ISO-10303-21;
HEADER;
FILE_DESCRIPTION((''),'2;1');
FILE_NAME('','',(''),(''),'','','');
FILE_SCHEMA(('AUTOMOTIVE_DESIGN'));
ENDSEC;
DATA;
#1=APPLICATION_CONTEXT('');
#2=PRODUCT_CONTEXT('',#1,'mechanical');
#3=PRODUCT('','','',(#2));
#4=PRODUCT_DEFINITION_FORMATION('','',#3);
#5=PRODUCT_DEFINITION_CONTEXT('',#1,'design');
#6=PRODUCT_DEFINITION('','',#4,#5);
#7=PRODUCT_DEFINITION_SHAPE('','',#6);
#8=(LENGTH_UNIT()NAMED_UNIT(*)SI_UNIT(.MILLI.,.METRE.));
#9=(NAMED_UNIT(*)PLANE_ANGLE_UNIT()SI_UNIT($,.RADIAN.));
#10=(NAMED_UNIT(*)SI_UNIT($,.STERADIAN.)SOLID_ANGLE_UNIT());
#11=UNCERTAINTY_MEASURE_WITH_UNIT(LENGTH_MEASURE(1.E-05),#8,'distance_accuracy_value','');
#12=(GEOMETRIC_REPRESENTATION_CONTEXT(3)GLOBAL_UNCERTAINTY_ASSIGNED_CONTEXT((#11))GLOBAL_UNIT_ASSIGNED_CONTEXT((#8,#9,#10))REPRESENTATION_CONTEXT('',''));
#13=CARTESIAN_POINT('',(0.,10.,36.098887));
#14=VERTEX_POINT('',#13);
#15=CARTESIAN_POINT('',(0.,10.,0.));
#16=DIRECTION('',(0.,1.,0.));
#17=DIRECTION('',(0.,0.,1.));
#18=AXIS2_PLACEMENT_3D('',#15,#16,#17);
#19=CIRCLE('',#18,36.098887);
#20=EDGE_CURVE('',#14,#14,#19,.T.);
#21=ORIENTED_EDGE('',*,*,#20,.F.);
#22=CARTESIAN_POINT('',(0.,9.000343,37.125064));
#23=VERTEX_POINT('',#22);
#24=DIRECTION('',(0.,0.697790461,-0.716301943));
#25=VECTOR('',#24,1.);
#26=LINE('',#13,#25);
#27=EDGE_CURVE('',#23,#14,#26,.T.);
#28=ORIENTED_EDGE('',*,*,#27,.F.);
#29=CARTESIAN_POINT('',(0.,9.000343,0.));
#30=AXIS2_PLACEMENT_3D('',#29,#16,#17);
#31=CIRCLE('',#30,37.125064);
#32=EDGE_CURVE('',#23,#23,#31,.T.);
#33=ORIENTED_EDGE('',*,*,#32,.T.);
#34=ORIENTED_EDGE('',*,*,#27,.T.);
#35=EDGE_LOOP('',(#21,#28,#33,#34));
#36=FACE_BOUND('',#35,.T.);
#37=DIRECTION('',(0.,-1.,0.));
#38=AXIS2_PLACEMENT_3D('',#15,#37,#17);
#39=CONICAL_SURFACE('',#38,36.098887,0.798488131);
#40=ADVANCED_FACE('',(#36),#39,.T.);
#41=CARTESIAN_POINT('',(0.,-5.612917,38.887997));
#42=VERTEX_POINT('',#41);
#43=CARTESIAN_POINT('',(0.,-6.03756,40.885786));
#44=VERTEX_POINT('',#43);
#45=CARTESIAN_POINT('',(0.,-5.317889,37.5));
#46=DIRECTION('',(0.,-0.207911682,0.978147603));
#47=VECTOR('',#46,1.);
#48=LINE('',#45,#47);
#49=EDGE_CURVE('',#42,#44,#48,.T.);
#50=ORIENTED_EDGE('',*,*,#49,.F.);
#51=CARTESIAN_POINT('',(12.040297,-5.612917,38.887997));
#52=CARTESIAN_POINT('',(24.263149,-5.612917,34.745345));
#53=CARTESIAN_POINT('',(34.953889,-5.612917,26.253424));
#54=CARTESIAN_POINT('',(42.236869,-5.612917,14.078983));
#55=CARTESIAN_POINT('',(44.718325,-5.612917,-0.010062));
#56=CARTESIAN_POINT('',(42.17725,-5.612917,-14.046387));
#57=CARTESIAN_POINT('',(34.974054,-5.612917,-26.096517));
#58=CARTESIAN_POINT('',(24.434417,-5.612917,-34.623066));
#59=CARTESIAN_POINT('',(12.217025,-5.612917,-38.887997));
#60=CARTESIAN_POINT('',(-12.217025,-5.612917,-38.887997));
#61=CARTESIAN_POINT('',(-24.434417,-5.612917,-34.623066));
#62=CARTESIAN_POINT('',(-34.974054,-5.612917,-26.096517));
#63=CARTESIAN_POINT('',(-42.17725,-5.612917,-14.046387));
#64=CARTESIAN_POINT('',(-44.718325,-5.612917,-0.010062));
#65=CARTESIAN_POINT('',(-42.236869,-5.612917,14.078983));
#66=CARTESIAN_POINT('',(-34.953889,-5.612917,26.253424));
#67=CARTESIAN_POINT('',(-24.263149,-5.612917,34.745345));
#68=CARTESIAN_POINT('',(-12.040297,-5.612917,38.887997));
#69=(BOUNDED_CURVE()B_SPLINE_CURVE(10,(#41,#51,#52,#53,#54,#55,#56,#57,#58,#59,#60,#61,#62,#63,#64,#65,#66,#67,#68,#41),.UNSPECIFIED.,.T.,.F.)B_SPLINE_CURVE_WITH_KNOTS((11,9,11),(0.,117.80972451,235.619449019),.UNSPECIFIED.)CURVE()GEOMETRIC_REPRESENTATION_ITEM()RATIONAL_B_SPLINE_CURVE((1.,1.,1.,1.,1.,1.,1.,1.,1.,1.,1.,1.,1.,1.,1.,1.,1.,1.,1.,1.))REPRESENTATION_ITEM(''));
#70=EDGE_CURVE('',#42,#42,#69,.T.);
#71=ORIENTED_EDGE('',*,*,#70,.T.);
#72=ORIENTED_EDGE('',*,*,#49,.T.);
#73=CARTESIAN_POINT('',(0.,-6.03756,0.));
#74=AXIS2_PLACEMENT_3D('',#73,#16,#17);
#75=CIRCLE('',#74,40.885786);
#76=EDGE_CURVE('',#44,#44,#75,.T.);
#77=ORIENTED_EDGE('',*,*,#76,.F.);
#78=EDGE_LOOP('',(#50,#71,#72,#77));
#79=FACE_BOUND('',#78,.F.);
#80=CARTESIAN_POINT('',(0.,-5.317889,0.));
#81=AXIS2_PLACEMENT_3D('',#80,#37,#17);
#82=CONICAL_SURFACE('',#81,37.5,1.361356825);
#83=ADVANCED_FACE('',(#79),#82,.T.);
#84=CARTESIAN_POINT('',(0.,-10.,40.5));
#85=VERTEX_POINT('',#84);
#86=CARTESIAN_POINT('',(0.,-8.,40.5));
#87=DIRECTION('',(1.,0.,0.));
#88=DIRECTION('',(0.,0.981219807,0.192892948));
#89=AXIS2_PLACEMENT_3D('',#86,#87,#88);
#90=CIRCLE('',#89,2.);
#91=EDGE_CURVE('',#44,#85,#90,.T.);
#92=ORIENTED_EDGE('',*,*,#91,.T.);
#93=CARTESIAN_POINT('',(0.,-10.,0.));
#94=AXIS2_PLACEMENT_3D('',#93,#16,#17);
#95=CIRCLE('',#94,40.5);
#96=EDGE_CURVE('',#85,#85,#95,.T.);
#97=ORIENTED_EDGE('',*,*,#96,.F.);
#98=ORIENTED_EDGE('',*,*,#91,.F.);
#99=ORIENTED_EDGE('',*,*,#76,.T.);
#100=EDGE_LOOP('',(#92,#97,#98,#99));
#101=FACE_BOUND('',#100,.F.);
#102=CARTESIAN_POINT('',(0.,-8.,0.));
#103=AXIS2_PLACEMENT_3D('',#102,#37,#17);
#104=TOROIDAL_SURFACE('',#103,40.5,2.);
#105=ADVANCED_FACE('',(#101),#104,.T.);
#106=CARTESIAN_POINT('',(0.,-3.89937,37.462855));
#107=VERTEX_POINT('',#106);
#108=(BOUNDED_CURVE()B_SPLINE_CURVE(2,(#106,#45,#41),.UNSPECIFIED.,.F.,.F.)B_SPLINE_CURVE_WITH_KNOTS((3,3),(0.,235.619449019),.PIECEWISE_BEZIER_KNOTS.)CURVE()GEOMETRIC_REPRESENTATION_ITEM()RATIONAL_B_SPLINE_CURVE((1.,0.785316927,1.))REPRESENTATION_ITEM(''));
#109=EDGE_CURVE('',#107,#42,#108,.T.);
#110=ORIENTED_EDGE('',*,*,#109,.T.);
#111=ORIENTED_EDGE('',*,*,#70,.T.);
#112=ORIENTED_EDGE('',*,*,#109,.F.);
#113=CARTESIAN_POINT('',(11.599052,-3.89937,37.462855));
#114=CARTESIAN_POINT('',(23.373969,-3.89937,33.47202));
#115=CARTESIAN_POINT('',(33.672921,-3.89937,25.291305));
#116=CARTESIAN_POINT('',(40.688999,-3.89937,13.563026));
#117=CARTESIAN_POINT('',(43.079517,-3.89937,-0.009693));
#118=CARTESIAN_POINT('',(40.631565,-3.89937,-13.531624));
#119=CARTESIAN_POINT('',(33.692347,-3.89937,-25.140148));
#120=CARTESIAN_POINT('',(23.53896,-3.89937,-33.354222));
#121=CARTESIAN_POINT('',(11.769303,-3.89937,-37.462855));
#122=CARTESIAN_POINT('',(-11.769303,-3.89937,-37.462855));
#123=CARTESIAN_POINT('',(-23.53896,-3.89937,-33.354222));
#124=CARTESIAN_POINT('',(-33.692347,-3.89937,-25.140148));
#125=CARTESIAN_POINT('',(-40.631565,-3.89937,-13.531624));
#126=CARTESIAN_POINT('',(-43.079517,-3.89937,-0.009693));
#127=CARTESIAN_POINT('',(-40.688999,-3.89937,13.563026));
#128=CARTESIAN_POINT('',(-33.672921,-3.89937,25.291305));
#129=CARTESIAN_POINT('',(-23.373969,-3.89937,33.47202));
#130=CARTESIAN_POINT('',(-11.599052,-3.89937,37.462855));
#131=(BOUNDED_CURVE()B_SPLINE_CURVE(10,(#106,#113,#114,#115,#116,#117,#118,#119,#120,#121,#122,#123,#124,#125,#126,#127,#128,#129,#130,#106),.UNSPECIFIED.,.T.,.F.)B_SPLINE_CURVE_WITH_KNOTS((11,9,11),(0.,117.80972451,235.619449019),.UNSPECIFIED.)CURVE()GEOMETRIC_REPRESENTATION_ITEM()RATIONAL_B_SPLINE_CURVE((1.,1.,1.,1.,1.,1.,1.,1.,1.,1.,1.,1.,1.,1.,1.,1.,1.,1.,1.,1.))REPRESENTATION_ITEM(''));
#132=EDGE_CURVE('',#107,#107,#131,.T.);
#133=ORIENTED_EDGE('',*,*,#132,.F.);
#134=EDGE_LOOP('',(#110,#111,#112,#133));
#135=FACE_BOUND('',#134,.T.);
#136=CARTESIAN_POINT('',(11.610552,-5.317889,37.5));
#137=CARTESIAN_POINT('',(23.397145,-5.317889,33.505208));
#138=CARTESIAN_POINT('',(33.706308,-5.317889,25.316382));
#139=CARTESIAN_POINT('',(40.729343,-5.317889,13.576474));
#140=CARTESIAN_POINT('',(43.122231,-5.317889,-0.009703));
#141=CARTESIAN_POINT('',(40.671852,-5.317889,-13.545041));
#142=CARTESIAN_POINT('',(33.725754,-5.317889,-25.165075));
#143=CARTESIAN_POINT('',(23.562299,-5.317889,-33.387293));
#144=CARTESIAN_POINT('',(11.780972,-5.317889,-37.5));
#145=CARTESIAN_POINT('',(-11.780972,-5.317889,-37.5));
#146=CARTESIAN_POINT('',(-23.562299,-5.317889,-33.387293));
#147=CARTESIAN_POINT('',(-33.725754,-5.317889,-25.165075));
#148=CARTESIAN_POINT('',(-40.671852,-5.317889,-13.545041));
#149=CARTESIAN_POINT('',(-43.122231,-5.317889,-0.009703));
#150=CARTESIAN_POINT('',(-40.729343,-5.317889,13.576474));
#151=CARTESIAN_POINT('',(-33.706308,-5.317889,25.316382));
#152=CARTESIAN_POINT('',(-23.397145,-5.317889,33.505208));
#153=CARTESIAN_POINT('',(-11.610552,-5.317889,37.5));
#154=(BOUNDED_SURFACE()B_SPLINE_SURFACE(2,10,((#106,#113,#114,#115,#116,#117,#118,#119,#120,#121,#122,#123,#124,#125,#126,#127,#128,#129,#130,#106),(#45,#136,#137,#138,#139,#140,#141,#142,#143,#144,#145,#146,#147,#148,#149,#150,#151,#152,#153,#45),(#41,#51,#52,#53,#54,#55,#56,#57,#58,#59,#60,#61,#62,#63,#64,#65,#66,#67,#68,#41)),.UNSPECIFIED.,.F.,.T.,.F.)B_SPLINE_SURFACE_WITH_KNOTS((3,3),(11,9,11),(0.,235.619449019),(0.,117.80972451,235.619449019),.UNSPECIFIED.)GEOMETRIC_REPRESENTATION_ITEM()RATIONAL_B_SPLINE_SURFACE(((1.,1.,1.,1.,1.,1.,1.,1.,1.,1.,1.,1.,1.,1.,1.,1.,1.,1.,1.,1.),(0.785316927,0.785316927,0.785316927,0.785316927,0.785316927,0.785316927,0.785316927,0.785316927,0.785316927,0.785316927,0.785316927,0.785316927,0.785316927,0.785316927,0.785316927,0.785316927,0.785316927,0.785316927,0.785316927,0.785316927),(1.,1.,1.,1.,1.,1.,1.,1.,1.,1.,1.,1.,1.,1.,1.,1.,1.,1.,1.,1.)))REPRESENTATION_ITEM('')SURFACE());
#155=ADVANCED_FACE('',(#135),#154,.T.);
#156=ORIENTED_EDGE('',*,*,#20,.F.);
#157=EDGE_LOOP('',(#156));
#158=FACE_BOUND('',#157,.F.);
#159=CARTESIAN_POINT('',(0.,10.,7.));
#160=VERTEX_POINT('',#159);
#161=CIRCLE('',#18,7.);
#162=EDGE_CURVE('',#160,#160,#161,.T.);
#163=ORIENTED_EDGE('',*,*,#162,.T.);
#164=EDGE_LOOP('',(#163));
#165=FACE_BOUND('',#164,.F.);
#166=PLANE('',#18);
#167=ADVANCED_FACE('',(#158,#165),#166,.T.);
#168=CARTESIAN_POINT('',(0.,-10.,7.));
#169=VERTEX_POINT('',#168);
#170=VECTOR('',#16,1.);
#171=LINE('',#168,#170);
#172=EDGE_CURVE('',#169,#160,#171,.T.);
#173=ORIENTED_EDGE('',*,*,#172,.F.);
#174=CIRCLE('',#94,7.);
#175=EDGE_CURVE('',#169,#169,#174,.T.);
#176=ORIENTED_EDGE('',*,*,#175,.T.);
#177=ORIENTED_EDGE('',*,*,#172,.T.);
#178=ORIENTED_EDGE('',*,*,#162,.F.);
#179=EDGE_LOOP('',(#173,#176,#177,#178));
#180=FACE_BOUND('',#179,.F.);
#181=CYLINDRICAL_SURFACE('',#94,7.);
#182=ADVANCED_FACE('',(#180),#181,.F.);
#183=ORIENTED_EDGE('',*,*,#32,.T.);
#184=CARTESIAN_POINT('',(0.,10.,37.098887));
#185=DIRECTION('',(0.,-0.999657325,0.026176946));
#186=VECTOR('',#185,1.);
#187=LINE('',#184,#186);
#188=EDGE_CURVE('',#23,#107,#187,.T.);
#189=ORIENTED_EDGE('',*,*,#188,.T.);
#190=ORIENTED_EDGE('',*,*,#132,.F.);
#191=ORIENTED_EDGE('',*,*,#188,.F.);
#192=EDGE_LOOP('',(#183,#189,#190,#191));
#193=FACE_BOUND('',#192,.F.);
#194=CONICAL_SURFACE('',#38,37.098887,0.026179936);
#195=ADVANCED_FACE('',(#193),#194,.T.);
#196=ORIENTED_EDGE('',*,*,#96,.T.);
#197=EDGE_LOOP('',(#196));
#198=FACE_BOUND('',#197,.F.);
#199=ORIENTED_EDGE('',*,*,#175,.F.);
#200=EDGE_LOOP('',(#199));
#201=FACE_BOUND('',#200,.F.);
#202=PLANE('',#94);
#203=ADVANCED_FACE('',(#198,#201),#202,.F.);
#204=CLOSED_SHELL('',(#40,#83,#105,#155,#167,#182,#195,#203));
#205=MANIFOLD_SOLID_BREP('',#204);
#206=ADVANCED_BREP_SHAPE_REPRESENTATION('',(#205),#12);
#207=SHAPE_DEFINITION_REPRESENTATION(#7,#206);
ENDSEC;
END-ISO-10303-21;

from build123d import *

# Parameters (mm, degrees)
F2_R    = 1.8
F3_SIZE = 1


with BuildPart() as f1:
    # F0 (on Right) → F1 (revolve)
    with BuildSketch(Plane.YZ):
        with BuildLine():
            Line((-10, 40.5), (-10, 7))
            Line((-10, 7), (10, 7))
            Line((10, 7), (10, 37.098887))
            Line((10, 37.098887), (-5.317889, 37.5))
            Line((-5.317889, 37.5), (-6.03756, 40.885786))
            ThreePointArc((-6.03756, 40.885786), (-8.193805, 42.490588), (-10, 40.5))
        make_face()
    revolve(axis=Axis((0, -1.591644, 0), (0, 1, 0)))

    # F2
    f2_edges = [f1.edges().sort_by_distance(p)[0] for p in [
        (0, -5.317889, -37.5),
    ]]
    fillet(f2_edges, radius=F2_R)

    # F3
    f3_edges = [f1.edges().sort_by_distance(p)[0] for p in [
        (0, 10, -37.098887),
    ]]
    chamfer(f3_edges, length=F3_SIZE)


solid = f1.part
